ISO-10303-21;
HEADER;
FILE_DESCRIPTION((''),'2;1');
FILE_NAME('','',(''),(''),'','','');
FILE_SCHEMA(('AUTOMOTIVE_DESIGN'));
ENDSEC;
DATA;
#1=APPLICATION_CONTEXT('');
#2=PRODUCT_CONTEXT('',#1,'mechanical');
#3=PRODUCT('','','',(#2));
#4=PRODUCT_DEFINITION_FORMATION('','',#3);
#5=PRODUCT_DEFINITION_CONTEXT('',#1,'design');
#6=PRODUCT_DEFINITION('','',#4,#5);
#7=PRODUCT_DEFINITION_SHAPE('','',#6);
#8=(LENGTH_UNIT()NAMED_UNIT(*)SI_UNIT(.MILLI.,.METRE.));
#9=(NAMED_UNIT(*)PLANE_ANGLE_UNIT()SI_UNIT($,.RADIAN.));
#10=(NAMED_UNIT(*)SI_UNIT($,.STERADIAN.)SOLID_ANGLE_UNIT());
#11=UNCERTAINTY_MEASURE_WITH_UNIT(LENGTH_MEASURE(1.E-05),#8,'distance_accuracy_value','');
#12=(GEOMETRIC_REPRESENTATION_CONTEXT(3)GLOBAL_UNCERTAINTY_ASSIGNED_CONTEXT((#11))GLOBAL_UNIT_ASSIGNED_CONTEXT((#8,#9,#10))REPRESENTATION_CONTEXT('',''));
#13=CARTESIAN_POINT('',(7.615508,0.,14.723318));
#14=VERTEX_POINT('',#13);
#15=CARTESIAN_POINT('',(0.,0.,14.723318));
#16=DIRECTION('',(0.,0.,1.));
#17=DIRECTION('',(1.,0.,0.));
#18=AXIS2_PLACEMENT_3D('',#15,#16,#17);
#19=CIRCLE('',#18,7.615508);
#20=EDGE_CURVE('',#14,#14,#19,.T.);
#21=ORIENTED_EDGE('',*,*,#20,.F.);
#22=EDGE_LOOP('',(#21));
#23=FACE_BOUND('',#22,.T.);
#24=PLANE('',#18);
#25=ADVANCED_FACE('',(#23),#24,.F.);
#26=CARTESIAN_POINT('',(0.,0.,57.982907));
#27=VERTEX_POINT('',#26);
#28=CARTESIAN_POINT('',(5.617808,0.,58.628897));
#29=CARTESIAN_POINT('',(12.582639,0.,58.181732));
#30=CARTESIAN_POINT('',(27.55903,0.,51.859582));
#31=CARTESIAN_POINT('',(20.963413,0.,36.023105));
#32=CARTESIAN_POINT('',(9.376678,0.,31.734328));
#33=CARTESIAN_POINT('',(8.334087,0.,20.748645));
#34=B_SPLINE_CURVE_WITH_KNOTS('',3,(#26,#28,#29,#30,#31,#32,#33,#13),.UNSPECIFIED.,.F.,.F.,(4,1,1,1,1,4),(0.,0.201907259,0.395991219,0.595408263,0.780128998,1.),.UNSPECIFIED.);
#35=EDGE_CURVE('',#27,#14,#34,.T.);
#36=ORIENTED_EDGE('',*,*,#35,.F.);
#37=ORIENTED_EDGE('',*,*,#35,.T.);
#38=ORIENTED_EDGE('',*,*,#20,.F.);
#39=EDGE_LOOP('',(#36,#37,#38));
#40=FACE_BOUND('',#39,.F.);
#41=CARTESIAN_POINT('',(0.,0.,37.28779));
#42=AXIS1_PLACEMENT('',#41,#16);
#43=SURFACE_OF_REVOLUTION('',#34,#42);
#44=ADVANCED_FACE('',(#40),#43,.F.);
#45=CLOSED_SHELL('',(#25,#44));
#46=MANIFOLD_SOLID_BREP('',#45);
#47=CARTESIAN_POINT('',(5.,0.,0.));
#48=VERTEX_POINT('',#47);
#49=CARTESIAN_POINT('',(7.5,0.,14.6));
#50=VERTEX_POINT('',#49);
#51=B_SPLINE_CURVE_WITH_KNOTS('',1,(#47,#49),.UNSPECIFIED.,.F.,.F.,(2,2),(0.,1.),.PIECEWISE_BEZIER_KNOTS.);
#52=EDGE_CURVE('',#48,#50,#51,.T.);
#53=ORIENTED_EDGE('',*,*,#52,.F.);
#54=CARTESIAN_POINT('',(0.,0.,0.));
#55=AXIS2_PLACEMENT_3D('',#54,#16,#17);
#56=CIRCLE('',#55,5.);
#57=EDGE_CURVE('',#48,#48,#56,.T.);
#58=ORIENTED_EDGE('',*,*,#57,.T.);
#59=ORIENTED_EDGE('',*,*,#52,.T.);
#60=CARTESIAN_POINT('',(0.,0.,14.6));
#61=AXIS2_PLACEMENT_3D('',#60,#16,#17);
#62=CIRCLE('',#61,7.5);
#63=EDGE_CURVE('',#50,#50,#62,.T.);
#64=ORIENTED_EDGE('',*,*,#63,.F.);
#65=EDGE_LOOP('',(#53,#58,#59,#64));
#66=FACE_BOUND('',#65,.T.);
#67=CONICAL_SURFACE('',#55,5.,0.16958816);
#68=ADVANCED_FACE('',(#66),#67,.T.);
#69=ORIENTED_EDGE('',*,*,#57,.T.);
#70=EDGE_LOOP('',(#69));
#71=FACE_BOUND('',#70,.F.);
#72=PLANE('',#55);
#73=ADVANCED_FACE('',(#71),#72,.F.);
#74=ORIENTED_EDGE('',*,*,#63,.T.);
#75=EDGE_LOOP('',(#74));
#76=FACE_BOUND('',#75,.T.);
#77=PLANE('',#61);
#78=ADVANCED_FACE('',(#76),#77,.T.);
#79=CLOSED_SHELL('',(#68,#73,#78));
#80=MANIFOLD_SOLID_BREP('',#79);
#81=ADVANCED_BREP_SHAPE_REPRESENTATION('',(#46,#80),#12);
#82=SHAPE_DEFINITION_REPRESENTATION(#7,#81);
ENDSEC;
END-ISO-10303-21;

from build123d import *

# Parameters (mm, degrees)
F0_R = 5
F2_R = 7.5


with BuildPart() as f3:
    # F0 (on Top) → F3 section 0
    with BuildSketch(Plane.XY):
        Circle(F0_R)
    # F2 (on offset) → F3 section 1
    with BuildSketch(Plane.XY.offset(14.6)):
        Circle(F2_R)
    loft()


with BuildPart() as f5:
    # F4 (on Front) → F5 (revolve)
    with BuildSketch(Plane.XZ):
        with BuildLine():
            add(Edge.make_bspline(
                [(0, 57.9829066992), (5.6178076025, 58.6288966363), (12.5826394099, 58.1817319305), (27.5590300042, 51.8595817104), (20.9634131754, 36.0231048551), (9.3766778782, 31.7343283075), (8.3340866913, 20.7486450549), (7.615508046, 14.7233176976)],
                knots=[0, 0, 0, 0, 0.2019072586, 0.3959912186, 0.5954082633, 0.7801289984, 1, 1, 1, 1], degree=3))
            Line((0, 57.9829066992), (0, 14.7233176976))
            Line((0, 14.7233176976), (7.615508046, 14.7233176976))
        make_face()
    revolve(axis=Axis((0, 0, 37.2877898626), (0, 0, 1)))


solid = Compound([f3.part, f5.part])
